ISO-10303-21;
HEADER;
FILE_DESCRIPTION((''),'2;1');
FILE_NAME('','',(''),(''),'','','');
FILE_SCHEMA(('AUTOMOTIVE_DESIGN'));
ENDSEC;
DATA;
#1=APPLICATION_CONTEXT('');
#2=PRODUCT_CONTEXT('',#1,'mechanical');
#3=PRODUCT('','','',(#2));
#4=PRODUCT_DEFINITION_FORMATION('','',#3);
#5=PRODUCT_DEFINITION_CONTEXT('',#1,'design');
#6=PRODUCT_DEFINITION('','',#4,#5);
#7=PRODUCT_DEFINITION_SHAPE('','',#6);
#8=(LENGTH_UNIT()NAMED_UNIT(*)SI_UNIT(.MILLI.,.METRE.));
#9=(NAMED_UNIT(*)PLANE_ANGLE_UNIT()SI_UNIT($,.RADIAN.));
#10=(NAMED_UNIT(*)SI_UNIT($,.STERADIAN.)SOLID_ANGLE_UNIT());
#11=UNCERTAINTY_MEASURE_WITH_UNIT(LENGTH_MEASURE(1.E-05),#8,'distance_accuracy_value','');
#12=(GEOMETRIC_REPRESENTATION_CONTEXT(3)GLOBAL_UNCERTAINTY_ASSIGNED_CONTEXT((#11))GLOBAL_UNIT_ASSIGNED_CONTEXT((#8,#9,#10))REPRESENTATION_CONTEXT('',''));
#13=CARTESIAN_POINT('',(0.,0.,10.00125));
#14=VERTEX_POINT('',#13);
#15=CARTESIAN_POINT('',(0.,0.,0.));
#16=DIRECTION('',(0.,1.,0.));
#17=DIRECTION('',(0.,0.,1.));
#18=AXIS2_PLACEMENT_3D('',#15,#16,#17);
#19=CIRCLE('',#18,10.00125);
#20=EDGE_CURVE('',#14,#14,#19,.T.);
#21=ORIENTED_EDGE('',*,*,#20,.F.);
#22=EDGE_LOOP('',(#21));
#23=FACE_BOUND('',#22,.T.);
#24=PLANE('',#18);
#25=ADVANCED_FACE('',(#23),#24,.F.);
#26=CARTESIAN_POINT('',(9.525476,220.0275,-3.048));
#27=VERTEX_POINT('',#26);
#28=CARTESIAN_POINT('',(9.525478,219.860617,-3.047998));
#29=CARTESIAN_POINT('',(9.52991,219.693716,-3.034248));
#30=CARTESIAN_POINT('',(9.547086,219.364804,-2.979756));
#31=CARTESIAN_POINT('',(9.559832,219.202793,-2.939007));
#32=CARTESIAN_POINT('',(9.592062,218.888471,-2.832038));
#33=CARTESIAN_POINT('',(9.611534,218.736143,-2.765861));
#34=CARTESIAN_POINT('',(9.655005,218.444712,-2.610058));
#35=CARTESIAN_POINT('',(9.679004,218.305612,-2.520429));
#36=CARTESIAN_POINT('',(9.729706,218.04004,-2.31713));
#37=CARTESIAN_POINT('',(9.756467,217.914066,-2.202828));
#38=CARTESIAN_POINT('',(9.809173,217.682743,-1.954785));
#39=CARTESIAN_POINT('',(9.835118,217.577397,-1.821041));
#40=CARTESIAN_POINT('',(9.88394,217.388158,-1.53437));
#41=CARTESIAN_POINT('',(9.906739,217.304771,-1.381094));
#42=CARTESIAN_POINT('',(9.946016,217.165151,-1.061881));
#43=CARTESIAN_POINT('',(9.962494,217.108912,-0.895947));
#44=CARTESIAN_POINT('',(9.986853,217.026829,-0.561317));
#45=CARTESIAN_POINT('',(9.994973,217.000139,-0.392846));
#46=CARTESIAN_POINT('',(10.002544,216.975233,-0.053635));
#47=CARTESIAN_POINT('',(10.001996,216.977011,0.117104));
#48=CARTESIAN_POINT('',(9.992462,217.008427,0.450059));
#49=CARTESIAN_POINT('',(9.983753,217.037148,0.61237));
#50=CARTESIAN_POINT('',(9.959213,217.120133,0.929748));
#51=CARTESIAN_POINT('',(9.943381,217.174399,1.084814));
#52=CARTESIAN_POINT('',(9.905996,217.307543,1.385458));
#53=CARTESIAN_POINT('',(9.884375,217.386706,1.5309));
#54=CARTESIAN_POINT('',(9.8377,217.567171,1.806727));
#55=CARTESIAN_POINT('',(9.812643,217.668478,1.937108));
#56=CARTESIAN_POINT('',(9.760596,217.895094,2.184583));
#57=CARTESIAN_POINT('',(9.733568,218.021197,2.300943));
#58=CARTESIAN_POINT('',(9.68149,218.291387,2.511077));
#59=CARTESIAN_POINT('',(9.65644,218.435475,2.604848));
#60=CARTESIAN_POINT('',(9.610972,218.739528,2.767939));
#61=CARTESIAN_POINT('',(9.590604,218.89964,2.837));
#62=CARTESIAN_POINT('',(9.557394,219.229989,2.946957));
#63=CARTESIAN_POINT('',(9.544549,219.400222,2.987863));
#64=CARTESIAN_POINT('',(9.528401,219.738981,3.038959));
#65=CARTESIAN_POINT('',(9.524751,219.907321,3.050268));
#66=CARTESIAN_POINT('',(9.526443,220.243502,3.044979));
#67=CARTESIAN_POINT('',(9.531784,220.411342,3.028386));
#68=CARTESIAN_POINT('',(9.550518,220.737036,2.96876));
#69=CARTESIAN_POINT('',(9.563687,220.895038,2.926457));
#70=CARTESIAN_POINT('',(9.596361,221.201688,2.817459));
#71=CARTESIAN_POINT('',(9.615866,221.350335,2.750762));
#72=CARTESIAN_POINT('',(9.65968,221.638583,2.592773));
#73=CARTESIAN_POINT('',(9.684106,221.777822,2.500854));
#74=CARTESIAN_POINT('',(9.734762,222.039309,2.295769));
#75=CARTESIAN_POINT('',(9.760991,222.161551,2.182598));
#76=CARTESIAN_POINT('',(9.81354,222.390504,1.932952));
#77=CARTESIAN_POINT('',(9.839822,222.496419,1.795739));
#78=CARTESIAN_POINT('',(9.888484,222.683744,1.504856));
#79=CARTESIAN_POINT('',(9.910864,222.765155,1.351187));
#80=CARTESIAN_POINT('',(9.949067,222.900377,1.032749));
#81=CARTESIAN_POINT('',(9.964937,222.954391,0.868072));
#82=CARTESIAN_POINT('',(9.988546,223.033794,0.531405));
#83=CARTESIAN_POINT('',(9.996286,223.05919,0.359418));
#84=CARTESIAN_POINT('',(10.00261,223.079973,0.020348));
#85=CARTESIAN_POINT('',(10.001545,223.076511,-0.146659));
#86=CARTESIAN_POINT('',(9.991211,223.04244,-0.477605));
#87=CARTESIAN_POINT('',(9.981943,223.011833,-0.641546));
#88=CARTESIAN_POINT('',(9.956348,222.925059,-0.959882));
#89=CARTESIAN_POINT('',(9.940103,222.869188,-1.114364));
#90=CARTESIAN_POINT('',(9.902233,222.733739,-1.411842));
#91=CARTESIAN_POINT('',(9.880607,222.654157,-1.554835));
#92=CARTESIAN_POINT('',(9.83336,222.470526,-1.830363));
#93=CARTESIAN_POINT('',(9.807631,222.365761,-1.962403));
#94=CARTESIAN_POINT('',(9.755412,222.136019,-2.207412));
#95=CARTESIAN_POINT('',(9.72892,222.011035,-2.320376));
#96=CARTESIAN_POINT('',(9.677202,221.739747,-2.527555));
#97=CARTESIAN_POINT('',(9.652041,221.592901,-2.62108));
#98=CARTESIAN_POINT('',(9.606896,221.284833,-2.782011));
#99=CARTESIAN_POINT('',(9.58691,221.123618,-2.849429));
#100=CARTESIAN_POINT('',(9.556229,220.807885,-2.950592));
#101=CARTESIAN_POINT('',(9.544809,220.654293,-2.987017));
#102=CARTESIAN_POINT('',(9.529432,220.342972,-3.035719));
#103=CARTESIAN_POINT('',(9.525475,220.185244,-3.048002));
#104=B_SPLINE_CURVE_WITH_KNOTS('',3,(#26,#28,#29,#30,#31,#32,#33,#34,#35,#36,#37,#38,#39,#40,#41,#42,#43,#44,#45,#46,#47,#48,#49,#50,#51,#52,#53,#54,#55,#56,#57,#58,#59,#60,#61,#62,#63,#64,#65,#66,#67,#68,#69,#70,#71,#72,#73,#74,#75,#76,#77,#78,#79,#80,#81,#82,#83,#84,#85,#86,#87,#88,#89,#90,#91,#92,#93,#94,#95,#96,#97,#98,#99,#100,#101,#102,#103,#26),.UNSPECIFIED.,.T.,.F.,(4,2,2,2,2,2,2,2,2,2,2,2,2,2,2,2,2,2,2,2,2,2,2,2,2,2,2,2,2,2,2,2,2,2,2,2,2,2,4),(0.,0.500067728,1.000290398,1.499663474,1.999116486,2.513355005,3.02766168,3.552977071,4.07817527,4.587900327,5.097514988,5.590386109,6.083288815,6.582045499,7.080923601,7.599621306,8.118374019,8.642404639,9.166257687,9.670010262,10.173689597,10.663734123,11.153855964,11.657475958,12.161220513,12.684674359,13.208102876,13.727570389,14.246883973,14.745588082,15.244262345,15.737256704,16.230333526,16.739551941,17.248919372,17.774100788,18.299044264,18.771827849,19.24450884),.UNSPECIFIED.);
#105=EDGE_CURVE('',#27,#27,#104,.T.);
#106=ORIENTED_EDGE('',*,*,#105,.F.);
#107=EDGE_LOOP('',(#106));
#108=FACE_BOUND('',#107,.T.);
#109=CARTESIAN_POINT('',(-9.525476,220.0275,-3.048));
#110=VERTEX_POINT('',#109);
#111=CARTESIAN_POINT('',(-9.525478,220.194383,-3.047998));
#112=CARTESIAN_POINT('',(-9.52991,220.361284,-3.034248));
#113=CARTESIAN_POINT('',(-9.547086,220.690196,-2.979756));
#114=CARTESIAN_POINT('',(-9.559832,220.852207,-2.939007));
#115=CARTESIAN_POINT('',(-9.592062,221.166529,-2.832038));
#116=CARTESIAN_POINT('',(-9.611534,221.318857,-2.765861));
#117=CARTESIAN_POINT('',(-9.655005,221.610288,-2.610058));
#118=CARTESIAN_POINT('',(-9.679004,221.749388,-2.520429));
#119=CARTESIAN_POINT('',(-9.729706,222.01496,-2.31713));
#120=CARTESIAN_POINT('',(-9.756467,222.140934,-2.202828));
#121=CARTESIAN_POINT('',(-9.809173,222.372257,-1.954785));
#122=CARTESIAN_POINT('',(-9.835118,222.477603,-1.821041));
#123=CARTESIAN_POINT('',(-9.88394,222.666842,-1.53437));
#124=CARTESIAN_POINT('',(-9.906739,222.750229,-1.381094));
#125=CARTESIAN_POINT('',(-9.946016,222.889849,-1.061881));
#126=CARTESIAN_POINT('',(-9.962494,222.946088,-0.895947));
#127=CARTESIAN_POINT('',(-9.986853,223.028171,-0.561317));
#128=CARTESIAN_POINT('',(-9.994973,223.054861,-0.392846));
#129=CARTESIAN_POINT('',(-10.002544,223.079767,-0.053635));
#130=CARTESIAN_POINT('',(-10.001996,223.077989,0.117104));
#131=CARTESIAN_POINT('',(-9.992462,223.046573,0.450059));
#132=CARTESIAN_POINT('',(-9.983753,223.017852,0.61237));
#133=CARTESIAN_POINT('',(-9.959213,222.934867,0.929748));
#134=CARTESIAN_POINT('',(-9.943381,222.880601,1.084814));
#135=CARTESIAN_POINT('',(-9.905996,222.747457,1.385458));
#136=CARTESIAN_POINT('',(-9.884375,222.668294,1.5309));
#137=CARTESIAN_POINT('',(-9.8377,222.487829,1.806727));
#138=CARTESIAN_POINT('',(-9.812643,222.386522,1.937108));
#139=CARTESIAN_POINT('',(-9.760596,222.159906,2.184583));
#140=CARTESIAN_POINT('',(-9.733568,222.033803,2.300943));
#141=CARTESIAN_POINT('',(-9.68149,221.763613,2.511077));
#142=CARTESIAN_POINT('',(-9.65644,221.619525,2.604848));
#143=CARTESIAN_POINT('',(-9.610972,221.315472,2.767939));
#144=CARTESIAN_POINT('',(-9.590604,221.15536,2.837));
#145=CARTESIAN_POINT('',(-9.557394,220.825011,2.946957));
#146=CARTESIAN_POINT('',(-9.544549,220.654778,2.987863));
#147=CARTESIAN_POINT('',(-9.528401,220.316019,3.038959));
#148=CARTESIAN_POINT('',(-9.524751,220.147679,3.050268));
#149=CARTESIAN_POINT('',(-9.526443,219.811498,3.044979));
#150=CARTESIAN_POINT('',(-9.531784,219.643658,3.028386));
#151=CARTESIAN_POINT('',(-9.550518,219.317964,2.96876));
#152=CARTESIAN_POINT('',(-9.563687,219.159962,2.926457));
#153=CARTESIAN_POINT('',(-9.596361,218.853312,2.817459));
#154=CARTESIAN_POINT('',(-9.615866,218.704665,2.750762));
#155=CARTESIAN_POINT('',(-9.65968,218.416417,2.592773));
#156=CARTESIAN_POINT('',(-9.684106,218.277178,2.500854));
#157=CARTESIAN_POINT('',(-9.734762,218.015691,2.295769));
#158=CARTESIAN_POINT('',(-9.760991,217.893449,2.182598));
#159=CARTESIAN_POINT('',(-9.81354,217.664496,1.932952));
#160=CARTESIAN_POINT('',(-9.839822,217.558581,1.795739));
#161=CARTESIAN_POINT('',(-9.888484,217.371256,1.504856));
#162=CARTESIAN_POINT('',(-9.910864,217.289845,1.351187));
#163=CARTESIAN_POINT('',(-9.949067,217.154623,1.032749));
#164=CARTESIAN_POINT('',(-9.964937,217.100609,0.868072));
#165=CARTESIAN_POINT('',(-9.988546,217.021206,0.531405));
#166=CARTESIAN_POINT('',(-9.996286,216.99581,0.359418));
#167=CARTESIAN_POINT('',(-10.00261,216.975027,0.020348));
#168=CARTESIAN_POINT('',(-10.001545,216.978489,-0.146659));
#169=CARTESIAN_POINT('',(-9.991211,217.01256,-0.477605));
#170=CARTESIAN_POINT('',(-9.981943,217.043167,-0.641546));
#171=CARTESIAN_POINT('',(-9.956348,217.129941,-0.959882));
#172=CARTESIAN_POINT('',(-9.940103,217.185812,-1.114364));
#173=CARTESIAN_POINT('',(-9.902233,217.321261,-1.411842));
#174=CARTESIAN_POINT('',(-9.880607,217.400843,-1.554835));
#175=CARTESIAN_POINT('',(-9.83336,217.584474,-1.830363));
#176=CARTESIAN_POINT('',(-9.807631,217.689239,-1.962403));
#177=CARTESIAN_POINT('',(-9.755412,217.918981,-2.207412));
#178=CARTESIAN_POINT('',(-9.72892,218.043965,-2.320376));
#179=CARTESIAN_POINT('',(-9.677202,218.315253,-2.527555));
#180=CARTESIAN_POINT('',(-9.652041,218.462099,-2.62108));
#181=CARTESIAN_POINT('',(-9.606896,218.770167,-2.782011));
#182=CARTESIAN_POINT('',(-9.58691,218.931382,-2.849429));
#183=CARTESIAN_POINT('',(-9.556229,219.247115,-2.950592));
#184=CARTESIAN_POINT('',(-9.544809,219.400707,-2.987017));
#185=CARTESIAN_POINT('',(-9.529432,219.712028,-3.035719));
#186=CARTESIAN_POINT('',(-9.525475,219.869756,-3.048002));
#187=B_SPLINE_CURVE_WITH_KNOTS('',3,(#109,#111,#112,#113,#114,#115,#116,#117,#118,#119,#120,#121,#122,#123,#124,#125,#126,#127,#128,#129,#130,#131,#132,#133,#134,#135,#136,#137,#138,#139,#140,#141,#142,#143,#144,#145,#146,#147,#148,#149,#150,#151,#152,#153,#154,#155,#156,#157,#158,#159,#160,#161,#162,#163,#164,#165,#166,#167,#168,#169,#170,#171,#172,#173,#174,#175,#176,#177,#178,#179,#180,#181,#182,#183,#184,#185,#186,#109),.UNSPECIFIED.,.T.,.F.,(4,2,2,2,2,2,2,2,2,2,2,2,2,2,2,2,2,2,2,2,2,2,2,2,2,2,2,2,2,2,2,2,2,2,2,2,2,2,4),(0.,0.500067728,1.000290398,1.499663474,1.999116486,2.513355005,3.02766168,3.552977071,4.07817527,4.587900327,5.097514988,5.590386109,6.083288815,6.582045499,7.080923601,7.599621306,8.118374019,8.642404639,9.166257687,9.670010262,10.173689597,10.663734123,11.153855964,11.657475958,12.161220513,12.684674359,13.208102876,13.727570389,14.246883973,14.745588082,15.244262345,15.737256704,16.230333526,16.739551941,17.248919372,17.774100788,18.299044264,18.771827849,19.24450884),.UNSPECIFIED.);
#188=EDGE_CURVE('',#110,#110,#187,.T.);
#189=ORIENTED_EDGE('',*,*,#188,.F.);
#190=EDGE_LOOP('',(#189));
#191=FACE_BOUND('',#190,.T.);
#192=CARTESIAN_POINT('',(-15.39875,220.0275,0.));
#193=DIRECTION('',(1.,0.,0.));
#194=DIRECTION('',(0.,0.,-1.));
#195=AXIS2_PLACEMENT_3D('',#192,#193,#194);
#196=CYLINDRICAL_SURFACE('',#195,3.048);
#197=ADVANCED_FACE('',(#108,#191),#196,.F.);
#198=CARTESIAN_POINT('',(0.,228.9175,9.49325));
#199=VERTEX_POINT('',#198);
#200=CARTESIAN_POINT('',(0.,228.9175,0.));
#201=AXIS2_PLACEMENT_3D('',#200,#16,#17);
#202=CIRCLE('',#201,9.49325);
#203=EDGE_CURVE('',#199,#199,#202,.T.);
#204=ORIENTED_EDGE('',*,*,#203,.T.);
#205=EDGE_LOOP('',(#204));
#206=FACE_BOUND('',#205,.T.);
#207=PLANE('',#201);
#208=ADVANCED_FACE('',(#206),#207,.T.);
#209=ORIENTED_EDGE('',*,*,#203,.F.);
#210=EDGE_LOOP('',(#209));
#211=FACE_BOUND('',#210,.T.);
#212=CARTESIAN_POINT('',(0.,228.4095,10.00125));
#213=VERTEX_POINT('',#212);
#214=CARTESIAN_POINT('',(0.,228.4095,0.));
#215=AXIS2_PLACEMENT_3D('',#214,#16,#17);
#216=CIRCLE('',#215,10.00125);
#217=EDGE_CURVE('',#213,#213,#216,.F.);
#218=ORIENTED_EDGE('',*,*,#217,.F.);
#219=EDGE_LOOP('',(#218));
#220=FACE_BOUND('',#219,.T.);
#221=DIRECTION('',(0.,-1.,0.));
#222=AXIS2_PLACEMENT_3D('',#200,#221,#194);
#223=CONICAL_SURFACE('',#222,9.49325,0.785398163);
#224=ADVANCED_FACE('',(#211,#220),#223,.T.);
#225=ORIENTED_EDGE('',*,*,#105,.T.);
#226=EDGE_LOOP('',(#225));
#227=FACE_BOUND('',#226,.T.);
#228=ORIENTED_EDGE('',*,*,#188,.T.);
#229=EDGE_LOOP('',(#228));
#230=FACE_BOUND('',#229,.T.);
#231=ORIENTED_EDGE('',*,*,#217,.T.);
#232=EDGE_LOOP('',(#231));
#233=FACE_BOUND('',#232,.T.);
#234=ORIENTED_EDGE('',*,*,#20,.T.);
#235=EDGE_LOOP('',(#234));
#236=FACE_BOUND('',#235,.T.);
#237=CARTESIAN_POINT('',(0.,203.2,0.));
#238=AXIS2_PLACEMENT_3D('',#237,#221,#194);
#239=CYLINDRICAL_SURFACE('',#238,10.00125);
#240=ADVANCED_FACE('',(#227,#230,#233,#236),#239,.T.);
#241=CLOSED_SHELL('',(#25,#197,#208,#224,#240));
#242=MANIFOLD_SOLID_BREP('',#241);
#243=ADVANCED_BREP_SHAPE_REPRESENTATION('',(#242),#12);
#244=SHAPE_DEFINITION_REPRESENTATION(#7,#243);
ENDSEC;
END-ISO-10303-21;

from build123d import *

# Parameters (mm, degrees)
SKETCH1_R           = 10.00125
BOSS_EXTRUDE1_DEPTH = 203.2
SKETCH2_R           = 10.00125
BOSS_EXTRUDE2_DEPTH = 25.7175
SKETCH4_R           = 3.048
CUT_EXTRUDE1_DEPTH  = 25.4
CHAMFER1_SIZE       = 0.508


with BuildPart() as part:
    # Sketch1 → Boss-Extrude1 (new body)
    with BuildSketch(Plane(origin=(0, 0, 0), x_dir=(1, 0, 0), z_dir=(0, 1, 0))):
        Circle(SKETCH1_R)
    extrude(amount=BOSS_EXTRUDE1_DEPTH)

    # Sketch2 → Boss-Extrude2 (add)
    with BuildSketch(Plane(origin=(0, 203.2, 0), x_dir=(1, 0, 0), z_dir=(0, 1, 0))):
        Circle(SKETCH2_R)
    extrude(amount=BOSS_EXTRUDE2_DEPTH)

    # Sketch4 → Cut-Extrude1 (cut)
    with BuildSketch(Plane(origin=(10.00125, 0, 0), x_dir=(0, 0, -1), z_dir=(1, 0, 0))):
        with Locations((0, 220.0275)):
            Circle(SKETCH4_R)
    extrude(amount=-CUT_EXTRUDE1_DEPTH, mode=Mode.SUBTRACT)

    # Chamfer1
    chamfer1_edges = [part.edges().sort_by_distance(p)[0] for p in [
        (-10.00125, 228.9175, 0),
    ]]
    chamfer(chamfer1_edges, length=CHAMFER1_SIZE)


solid = part.part
